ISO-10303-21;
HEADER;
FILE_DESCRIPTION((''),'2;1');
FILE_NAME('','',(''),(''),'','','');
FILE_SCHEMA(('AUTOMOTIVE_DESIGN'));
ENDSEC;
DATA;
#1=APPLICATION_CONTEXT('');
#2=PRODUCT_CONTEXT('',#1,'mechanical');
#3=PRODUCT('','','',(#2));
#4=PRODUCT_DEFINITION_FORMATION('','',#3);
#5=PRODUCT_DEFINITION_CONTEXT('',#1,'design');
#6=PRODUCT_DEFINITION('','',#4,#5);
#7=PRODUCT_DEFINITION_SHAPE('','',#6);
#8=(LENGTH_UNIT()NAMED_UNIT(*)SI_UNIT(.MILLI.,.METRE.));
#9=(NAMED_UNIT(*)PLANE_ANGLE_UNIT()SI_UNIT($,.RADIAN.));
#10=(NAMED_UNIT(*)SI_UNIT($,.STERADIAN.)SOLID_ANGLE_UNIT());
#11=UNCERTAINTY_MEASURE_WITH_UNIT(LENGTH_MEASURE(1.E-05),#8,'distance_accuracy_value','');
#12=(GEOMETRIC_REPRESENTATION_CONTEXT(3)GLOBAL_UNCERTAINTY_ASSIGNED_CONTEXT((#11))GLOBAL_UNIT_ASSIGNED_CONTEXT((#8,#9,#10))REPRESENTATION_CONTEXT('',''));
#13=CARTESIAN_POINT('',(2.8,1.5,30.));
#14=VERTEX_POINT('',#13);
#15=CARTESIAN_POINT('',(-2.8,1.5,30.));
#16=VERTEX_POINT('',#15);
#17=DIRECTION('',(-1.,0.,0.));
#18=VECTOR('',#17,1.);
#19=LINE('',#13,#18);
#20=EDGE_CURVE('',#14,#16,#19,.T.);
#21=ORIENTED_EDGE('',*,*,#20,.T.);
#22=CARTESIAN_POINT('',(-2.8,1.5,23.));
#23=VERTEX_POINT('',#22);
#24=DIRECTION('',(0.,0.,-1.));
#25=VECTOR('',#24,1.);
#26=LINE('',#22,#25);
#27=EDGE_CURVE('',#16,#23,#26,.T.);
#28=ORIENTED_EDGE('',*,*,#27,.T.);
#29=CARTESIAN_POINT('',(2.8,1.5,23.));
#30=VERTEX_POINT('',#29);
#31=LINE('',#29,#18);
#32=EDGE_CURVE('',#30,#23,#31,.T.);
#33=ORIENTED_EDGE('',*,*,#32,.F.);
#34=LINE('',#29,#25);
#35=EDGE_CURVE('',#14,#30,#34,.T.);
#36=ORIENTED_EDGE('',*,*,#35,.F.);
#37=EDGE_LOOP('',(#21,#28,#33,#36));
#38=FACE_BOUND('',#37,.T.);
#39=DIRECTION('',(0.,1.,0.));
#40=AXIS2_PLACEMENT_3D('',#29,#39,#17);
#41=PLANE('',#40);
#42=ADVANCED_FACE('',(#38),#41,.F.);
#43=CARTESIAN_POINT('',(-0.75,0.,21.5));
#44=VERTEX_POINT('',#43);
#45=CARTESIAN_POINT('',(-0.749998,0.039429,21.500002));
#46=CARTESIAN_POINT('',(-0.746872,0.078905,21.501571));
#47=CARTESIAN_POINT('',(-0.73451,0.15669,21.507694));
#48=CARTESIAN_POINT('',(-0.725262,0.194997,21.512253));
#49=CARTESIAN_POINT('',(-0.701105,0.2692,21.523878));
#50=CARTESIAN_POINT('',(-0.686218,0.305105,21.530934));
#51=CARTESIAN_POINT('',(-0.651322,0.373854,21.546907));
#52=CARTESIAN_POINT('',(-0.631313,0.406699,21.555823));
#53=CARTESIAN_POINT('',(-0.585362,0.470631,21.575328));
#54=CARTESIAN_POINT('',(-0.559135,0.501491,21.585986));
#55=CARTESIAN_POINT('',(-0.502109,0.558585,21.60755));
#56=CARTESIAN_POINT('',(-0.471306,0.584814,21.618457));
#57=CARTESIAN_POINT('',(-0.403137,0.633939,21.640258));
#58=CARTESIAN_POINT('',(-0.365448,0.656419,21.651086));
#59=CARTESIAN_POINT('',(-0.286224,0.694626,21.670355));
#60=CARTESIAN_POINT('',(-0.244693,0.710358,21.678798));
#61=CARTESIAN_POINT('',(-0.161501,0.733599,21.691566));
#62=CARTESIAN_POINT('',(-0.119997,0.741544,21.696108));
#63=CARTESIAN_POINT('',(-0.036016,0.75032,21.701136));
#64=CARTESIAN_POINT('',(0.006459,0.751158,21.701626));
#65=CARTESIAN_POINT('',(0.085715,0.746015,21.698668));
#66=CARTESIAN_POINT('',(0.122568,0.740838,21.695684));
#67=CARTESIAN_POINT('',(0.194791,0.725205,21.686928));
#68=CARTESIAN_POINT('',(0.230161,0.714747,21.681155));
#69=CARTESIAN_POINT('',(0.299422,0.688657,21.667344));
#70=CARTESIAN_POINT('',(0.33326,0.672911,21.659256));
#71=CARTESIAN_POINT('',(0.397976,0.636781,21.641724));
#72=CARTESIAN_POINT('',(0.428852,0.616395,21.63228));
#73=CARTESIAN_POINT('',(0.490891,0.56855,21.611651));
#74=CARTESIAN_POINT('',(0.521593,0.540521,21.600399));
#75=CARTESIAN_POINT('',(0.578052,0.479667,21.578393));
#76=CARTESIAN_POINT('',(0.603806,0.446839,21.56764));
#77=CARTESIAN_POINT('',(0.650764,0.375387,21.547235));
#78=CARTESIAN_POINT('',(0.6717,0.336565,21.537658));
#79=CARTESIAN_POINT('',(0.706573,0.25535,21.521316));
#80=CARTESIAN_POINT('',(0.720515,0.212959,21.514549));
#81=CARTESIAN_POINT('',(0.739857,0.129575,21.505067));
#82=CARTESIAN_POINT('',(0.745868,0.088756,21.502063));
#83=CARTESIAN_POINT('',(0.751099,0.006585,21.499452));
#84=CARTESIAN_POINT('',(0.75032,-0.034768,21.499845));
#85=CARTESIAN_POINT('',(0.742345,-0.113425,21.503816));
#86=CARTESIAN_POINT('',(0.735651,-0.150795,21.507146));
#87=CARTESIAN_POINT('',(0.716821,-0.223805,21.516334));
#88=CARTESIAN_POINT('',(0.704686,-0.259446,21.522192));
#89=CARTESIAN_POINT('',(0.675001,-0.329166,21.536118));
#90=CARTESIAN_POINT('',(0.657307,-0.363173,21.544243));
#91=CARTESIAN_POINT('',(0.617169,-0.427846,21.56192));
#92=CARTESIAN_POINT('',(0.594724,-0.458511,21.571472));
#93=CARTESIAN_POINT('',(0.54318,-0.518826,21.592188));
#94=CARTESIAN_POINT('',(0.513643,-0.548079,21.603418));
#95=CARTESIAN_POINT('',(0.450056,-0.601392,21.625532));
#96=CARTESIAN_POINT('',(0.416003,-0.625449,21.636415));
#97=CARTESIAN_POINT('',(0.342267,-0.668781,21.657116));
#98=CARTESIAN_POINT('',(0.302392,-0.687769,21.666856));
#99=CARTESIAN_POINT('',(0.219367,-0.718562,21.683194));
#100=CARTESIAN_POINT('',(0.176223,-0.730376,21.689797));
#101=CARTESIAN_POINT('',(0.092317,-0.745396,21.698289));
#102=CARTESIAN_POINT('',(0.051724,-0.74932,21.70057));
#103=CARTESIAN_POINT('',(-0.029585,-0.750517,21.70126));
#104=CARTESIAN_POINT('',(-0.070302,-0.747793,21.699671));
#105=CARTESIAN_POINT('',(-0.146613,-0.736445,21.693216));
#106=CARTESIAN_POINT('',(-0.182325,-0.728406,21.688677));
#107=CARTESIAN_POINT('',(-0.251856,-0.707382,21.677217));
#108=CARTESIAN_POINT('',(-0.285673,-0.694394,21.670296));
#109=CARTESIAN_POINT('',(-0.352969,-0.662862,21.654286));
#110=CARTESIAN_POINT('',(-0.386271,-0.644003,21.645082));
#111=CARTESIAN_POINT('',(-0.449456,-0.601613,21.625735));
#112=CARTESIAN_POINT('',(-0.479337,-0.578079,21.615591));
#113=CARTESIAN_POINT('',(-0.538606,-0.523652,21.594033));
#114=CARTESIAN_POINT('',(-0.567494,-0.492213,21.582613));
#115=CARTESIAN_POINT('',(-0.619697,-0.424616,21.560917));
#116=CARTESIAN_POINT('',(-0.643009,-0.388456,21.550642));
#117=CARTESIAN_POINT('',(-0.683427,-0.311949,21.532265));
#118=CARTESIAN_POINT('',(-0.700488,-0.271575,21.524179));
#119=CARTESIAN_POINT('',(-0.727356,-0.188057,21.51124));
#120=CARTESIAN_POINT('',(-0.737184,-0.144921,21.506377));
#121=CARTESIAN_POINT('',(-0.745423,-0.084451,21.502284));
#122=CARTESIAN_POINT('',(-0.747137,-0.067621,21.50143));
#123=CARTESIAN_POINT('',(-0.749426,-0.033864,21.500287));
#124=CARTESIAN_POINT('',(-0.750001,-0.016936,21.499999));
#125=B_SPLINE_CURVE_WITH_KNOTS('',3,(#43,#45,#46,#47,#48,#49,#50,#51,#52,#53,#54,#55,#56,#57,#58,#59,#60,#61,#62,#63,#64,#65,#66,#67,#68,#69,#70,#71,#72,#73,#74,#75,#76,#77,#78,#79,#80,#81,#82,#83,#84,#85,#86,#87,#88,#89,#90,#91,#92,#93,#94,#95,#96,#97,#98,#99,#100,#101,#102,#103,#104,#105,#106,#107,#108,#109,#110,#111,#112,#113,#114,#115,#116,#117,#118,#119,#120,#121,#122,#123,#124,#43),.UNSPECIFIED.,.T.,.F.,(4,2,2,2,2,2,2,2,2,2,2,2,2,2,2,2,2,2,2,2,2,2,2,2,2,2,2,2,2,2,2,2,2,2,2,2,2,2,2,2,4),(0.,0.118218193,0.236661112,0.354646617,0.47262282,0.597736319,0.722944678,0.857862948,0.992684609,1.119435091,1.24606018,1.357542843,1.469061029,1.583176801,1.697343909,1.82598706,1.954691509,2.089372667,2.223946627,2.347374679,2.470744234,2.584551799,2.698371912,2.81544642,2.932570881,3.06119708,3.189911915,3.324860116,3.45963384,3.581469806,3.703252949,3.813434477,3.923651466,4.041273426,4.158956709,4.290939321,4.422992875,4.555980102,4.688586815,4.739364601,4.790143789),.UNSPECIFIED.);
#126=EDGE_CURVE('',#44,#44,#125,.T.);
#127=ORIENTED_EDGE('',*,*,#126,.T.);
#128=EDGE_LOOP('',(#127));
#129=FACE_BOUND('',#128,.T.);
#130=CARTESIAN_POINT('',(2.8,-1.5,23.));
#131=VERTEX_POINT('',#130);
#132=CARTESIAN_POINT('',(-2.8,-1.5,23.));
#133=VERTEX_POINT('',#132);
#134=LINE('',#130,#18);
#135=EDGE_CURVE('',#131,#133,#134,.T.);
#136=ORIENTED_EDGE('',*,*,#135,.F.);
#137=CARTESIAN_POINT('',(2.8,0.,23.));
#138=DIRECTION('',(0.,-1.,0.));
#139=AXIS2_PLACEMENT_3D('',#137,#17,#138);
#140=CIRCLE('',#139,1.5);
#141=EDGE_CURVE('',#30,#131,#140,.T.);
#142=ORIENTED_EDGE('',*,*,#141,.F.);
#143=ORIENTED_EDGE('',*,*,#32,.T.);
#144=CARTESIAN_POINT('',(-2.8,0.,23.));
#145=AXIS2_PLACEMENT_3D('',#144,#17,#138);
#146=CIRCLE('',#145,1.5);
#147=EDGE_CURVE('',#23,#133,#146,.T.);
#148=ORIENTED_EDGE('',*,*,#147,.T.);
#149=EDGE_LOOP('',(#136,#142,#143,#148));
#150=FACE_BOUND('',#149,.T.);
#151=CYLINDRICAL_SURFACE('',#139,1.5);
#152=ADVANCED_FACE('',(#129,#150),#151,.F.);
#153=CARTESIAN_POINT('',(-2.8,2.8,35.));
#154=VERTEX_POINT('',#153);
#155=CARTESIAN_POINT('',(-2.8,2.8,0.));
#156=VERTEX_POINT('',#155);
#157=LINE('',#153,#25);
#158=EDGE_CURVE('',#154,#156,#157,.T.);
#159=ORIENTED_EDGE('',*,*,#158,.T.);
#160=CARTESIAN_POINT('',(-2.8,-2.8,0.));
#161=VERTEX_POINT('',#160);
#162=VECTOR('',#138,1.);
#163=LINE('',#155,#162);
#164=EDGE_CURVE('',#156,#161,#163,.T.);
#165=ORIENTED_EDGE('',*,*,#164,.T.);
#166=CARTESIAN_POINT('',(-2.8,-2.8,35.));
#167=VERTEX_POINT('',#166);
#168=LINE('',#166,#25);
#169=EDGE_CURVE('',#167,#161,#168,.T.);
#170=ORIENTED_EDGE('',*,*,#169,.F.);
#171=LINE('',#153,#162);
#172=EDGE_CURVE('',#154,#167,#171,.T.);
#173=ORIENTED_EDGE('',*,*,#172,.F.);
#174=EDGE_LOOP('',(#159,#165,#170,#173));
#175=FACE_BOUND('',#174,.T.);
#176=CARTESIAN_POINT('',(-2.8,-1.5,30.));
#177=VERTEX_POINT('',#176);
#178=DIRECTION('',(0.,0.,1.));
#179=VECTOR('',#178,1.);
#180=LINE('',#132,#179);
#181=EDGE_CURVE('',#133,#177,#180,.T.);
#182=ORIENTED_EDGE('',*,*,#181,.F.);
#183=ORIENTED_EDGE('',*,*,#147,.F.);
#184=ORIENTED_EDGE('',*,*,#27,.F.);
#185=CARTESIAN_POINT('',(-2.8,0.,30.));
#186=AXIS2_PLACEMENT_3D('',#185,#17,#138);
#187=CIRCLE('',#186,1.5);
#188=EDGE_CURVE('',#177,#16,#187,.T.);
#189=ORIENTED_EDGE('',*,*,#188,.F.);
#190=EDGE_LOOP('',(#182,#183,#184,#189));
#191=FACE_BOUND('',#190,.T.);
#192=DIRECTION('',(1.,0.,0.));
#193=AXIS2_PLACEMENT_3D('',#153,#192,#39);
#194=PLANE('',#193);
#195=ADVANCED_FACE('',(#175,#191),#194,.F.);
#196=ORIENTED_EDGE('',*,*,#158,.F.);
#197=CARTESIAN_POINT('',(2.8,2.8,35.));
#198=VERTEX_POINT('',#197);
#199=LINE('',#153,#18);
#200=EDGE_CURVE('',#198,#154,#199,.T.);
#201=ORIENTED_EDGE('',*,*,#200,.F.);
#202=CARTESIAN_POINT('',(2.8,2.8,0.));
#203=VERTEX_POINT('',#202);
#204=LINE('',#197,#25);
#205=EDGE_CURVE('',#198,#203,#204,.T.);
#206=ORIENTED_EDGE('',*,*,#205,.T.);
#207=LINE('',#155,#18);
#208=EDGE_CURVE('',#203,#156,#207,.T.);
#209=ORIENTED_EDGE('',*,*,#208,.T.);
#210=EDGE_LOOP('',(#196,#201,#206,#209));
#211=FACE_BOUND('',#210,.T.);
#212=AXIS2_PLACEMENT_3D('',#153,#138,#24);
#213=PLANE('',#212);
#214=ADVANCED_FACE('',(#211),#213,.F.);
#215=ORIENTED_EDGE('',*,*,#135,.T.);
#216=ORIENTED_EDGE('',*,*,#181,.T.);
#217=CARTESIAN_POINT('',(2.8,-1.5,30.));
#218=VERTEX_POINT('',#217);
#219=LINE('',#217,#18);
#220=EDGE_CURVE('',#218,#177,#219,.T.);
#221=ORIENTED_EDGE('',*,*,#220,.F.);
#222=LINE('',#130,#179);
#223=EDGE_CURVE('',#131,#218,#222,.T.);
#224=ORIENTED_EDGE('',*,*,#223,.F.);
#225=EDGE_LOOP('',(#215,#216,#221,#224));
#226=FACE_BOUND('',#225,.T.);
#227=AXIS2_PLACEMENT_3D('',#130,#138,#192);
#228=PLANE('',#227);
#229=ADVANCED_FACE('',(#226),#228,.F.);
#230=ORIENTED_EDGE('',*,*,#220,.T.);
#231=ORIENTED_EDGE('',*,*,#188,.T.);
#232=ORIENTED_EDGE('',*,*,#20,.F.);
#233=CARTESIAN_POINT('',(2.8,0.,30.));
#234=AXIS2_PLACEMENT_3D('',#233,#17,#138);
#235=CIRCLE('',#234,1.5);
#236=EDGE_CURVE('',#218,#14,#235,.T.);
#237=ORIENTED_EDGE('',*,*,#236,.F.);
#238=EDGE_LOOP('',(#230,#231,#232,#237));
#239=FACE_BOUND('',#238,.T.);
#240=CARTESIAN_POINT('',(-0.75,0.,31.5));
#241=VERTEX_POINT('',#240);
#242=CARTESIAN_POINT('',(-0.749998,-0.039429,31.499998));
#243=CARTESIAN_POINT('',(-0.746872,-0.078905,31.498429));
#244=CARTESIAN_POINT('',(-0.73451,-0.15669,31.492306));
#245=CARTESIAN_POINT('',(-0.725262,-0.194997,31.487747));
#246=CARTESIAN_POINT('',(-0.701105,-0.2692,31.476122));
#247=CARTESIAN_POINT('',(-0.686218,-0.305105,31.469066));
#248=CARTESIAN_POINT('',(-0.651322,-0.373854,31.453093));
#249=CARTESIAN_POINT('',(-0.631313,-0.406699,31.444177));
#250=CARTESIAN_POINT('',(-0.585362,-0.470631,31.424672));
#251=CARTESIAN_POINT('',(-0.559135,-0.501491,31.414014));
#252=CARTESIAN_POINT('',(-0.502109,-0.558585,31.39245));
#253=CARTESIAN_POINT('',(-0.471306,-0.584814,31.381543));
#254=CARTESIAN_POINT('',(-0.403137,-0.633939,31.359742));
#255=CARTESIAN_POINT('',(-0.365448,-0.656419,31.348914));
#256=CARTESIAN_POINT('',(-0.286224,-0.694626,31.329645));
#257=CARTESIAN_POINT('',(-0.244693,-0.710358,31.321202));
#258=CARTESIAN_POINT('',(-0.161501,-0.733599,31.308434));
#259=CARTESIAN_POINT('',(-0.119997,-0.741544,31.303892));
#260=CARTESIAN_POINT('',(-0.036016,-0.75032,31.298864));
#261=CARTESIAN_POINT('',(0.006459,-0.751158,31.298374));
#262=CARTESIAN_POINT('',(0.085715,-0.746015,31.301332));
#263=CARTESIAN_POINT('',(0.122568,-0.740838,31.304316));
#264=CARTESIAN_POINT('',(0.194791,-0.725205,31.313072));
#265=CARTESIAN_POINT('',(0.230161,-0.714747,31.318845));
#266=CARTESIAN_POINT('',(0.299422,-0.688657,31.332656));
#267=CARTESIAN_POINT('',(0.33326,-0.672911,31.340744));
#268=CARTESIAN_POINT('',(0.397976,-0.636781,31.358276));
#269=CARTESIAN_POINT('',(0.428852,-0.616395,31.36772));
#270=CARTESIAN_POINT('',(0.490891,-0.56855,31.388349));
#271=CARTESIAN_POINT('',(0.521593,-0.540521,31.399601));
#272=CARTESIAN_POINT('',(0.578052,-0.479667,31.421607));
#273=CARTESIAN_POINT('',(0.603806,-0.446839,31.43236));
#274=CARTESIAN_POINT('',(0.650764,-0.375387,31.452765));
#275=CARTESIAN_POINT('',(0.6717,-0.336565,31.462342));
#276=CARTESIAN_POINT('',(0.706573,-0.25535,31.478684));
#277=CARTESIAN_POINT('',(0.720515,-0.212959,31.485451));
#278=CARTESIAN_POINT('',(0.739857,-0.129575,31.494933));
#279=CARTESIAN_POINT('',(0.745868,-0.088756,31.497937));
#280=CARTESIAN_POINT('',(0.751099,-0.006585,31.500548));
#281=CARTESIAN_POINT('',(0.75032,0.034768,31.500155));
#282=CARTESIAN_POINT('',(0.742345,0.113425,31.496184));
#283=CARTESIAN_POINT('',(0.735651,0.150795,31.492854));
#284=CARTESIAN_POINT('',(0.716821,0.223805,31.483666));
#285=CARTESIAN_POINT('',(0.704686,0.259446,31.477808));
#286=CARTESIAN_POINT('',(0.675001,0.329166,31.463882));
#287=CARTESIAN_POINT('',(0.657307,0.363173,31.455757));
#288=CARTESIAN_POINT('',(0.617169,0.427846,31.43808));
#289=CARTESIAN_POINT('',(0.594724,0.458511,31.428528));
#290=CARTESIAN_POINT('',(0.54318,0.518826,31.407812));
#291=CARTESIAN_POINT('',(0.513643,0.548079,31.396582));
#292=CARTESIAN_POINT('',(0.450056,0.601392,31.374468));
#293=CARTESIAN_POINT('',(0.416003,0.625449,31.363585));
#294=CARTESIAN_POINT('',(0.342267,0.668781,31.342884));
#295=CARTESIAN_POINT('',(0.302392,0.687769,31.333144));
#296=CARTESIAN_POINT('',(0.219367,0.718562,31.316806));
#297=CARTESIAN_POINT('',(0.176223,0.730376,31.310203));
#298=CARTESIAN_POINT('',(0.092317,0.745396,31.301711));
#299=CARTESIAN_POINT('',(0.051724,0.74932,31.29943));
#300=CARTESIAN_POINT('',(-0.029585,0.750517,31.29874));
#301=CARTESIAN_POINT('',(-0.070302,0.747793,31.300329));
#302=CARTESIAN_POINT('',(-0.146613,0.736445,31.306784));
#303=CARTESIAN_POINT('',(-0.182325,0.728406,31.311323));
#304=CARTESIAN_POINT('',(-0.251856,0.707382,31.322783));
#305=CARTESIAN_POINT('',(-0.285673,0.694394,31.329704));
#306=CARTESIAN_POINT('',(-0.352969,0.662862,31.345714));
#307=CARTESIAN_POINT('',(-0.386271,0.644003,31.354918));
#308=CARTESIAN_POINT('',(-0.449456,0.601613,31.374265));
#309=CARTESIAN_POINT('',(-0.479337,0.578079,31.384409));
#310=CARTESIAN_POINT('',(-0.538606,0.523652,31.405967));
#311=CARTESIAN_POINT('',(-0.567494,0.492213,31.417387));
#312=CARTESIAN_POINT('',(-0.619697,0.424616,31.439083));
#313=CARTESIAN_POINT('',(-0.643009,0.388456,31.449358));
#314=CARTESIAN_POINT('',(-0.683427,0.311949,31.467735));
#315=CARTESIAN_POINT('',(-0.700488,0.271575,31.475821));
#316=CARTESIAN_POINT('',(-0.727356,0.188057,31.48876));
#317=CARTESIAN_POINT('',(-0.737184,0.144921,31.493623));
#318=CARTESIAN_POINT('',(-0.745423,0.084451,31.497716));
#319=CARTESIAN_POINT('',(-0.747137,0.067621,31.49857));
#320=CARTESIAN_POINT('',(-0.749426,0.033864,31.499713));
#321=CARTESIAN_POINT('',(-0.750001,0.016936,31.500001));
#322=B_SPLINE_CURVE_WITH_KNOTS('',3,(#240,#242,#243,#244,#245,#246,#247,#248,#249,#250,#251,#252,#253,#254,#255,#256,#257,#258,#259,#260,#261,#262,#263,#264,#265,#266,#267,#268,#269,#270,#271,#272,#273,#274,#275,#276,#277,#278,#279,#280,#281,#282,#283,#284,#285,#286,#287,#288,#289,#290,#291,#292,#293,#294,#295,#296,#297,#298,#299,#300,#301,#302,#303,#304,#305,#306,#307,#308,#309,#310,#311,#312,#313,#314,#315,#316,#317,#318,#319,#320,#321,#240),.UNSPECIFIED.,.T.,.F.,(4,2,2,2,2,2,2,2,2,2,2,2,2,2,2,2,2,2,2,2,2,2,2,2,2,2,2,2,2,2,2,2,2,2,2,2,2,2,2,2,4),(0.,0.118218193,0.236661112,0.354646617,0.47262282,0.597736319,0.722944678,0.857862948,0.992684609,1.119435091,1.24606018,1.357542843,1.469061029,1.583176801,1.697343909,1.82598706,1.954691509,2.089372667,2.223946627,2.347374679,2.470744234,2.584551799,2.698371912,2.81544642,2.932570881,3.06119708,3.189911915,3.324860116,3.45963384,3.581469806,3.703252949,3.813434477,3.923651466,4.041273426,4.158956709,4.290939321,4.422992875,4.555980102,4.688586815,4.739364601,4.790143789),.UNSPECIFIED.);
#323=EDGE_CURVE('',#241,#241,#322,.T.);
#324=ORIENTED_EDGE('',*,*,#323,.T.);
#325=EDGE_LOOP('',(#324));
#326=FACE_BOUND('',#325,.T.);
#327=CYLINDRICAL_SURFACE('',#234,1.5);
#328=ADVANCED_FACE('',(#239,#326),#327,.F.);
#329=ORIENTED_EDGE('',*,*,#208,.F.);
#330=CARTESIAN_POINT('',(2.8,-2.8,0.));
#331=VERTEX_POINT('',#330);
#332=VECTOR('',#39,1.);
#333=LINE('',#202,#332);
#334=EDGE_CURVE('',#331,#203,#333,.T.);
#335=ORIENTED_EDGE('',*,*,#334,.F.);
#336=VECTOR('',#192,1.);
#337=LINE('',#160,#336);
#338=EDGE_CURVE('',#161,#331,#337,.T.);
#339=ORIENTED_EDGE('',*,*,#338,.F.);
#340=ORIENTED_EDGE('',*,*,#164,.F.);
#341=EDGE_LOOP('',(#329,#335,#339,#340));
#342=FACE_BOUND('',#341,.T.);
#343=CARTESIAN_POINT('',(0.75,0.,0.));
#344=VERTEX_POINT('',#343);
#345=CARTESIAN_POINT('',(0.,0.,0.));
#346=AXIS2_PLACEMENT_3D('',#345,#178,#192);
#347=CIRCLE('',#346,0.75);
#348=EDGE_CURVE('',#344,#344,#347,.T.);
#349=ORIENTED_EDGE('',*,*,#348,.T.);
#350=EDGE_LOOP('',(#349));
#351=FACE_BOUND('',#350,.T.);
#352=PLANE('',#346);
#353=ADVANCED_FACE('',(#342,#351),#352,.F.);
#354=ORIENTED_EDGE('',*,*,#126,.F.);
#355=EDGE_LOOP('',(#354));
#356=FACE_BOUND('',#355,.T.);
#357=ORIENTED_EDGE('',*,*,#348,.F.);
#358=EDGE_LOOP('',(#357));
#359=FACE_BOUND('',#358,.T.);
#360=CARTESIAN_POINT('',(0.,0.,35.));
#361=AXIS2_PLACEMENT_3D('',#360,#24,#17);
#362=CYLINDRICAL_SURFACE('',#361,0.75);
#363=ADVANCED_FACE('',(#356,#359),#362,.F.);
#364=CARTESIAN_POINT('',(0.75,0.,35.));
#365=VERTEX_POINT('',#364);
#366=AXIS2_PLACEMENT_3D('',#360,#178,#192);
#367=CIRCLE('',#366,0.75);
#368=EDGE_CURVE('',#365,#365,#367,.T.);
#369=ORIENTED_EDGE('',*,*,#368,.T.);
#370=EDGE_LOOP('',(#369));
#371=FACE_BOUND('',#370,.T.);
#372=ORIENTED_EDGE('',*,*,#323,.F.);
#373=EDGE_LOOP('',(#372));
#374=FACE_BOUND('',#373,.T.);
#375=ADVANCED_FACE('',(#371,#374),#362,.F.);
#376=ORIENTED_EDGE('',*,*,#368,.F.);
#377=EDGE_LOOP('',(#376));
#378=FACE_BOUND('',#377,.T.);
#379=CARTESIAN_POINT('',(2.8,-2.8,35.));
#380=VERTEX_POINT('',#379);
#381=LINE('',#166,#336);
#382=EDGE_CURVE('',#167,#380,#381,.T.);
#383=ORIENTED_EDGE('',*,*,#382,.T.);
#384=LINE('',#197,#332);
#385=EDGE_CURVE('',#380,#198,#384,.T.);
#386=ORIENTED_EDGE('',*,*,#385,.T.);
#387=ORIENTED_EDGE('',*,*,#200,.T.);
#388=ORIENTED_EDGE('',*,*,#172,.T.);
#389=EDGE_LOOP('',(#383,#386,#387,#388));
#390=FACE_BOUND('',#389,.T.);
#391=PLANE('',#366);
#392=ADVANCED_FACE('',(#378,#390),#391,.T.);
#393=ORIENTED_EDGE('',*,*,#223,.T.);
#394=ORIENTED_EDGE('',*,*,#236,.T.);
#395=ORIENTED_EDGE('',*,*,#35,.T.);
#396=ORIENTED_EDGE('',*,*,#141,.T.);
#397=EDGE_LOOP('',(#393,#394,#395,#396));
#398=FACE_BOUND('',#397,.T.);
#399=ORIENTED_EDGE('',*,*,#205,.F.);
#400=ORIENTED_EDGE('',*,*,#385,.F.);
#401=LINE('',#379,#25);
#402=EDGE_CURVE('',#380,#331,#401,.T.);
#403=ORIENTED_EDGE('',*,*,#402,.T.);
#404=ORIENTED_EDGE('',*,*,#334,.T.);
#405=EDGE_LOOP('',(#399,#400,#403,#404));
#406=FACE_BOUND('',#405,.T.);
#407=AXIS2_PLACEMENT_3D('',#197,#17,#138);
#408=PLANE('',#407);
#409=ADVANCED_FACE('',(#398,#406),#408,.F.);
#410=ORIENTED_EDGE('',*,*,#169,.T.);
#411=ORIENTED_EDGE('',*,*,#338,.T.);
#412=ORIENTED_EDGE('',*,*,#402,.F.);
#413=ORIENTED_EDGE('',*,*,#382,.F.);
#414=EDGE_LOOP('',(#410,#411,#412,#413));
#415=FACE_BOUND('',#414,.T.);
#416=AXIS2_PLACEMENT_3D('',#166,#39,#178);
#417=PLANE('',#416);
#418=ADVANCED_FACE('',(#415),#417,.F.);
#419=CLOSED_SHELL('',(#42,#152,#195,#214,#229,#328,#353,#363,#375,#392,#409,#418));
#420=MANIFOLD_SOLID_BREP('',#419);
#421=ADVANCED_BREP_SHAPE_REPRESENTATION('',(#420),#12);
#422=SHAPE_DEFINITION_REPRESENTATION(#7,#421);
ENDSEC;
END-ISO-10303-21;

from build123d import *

# Parameters (mm, degrees)
SKETCH1_W           = 5.6
SKETCH1_H           = 5.6
SKETCH1_R           = 0.75
BOSS_EXTRUDE1_DEPTH = 35
CUT_EXTRUDE1_DEPTH  = 36.555590278


with BuildPart() as part:
    # Sketch1 → Boss-Extrude1 (new body)
    with BuildSketch(Plane.XY):
        Rectangle(SKETCH1_W, SKETCH1_H)
        Circle(SKETCH1_R, mode=Mode.SUBTRACT)
    extrude(amount=BOSS_EXTRUDE1_DEPTH)

    # Sketch2 → Cut-Extrude1 (cut, through all)
    with BuildSketch(Plane.ZY.offset(2.8)):
        with BuildLine():
            Line((23, 1.5), (30, 1.5))
            ThreePointArc((30, 1.5), (31.5, 0), (30, -1.5))
            Line((30, -1.5), (23, -1.5))
            ThreePointArc((23, -1.5), (21.5, 0), (23, 1.5))
        make_face()
    extrude(amount=-CUT_EXTRUDE1_DEPTH, mode=Mode.SUBTRACT)


solid = part.part
